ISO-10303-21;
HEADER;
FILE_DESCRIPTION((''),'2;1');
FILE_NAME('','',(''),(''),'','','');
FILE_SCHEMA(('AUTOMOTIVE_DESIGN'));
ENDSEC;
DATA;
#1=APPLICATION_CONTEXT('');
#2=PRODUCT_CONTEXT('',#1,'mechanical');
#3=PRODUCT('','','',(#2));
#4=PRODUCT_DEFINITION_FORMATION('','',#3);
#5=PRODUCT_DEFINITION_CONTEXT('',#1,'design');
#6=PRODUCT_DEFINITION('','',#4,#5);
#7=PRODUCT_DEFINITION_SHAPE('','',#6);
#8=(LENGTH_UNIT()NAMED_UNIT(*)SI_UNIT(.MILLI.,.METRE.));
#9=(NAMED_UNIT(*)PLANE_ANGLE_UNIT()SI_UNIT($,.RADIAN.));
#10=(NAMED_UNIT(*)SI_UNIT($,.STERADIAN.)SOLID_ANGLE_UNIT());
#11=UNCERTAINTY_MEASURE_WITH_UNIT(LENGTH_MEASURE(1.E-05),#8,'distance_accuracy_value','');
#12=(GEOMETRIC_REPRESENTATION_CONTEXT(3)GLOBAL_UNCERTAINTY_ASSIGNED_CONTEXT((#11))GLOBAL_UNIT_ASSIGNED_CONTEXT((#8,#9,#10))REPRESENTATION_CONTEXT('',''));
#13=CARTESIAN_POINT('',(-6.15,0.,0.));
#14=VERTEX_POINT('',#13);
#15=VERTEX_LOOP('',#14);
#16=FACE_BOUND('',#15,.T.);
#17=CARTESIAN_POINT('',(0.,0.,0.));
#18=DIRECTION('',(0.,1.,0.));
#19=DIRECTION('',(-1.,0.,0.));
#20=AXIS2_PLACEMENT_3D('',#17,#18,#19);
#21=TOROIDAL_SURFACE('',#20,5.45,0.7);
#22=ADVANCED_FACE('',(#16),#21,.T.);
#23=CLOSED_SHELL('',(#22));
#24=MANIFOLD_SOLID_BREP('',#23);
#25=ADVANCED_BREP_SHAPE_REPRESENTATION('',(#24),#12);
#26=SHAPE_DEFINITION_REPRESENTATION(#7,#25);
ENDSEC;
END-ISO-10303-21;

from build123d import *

# Parameters (mm, degrees)
MAINBODYS_R = 0.7


with BuildPart() as part:
    # MainBodyS → MAIN BODY (revolve)
    with BuildSketch(Plane.XY, mode=Mode.PRIVATE) as main_body_sk:
        with Locations((5.45, 0)):
            Circle(MAINBODYS_R)
    revolve(main_body_sk.sketch.rotate(Axis((0, 0, 0), (0, -1, 0)), 180), axis=Axis((0, 0, 0), (0, -1, 0)))


solid = part.part
